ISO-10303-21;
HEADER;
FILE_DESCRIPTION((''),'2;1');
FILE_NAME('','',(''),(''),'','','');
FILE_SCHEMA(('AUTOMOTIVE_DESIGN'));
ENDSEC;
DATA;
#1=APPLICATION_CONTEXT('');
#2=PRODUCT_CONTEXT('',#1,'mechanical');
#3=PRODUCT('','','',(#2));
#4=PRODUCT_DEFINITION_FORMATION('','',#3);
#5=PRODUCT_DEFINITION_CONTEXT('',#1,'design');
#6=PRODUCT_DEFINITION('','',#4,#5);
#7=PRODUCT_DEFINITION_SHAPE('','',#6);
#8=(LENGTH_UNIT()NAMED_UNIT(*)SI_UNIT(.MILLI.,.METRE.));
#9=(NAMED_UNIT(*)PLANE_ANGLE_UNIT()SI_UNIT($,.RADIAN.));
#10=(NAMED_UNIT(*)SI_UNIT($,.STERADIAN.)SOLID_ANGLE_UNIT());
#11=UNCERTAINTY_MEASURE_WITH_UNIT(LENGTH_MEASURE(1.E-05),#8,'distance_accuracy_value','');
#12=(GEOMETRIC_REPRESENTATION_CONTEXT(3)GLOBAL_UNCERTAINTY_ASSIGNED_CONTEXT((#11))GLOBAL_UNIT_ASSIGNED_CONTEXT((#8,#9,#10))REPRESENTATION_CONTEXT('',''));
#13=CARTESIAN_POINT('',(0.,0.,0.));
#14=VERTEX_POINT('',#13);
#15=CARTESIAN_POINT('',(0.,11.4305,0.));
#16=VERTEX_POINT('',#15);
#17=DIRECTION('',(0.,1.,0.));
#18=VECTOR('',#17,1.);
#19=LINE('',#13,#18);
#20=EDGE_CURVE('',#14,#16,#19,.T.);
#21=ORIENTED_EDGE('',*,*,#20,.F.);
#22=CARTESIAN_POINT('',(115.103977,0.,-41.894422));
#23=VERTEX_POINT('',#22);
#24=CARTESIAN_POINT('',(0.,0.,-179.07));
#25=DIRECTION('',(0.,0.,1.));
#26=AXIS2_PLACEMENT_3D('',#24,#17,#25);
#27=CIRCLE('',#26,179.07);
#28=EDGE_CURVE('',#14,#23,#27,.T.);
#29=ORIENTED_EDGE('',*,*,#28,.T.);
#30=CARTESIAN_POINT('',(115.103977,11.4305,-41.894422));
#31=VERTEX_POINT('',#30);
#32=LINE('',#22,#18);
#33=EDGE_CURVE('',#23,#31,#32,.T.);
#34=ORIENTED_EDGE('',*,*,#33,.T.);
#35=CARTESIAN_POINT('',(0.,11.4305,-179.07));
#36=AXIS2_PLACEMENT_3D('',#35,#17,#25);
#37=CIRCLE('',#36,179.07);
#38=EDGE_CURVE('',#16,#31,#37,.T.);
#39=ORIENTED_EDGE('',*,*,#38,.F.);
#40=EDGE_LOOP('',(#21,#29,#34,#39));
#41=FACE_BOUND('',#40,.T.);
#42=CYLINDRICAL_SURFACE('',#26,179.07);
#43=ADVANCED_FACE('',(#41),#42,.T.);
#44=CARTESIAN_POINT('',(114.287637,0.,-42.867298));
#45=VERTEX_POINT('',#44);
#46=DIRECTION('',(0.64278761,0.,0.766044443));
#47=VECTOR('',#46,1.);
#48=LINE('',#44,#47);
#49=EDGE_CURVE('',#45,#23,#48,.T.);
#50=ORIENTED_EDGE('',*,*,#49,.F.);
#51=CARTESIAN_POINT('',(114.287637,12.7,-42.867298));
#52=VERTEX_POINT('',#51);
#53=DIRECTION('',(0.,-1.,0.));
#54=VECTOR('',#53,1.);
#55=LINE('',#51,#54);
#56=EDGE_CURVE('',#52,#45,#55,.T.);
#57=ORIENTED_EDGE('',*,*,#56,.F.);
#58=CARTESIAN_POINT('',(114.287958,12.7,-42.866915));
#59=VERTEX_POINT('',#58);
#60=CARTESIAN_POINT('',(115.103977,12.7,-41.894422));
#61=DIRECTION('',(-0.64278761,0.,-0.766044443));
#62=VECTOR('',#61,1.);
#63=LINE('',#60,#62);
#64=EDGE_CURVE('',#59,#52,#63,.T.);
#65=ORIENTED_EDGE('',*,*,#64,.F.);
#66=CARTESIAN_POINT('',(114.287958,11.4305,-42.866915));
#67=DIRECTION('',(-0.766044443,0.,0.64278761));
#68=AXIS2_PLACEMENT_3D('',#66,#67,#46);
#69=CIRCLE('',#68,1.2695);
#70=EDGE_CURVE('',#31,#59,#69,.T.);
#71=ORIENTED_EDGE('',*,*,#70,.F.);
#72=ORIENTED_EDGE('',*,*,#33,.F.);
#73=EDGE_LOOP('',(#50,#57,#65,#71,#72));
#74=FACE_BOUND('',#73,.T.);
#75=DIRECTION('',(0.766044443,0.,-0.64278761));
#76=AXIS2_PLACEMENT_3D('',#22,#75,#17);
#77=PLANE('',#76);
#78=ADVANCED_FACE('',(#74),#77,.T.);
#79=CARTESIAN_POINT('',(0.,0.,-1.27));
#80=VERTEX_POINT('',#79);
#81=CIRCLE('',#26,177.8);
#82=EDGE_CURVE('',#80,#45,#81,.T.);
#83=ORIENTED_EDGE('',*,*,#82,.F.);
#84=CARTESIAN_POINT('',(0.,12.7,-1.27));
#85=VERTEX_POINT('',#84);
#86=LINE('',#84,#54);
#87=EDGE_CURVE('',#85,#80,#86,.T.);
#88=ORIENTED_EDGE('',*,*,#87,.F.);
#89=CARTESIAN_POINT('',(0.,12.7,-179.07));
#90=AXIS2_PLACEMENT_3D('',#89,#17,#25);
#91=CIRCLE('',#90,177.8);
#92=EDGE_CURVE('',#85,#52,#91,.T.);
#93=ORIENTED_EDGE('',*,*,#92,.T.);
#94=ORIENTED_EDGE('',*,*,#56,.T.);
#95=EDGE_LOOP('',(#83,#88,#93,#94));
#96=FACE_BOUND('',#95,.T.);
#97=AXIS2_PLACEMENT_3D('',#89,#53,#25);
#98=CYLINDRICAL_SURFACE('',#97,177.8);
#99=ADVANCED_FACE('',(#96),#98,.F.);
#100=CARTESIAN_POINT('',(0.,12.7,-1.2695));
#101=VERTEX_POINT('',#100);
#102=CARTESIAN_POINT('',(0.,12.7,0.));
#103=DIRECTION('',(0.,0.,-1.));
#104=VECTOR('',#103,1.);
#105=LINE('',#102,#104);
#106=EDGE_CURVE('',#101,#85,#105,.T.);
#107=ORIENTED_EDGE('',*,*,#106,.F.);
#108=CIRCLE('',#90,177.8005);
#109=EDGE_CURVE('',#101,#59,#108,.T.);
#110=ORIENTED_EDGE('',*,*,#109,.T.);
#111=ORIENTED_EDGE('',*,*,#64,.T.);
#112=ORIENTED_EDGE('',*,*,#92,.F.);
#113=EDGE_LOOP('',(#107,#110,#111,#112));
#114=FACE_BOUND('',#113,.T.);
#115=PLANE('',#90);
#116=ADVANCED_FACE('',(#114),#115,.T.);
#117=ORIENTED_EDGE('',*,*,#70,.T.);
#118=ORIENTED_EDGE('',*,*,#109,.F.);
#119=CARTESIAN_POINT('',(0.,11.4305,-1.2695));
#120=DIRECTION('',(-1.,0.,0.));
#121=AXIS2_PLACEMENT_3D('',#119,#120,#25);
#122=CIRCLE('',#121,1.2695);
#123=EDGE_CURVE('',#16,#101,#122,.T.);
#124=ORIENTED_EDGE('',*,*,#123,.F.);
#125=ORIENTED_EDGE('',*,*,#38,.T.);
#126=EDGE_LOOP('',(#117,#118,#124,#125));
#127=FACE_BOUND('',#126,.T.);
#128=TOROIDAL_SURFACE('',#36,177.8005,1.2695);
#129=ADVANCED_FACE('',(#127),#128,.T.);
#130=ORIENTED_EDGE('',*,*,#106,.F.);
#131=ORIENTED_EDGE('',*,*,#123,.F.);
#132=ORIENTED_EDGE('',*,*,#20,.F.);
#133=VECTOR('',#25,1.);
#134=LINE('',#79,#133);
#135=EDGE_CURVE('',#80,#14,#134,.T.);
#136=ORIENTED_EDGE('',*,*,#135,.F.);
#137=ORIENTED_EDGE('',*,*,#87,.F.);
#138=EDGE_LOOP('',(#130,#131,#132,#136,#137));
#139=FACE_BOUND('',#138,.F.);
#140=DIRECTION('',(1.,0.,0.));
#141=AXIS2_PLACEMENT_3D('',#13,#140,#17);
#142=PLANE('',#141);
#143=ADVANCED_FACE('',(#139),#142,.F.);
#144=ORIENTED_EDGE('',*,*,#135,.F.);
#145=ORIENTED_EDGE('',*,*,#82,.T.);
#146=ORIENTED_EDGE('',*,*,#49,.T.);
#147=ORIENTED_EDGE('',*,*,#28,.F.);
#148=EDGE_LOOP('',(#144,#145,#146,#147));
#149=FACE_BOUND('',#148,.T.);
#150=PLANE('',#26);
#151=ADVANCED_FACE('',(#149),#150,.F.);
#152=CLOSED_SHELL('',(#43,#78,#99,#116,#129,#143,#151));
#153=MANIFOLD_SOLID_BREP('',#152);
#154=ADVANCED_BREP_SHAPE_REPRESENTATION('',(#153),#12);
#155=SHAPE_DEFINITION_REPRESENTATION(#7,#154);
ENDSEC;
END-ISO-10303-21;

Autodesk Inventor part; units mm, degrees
ref_plane "YZ Plane" through (0, 0, 0) normal (1, 0, 0) x (0, 1, 0)
ref_plane "XZ Plane" through (0, 0, 0) normal (0, 1, 0) x (-1, 0, 0)
ref_plane "XY Plane" through (0, 0, 0) normal (0, 0, 1) x (1, 0, 0)
sketch "Sketch1" plane through (0, 0, 0) normal (1, 0, 0) x (0, 1, 0)
  line L0 (0, 0) -> (12.7, 0)
  line L1 (12.7, 0) -> (12.7, -1.27)
  line L2 (12.7, -1.27) -> (0, -1.27)
  line L3 (0, -1.27) -> (0, 0)
  line L4 (0, -1.27) -> (0, -179.07)
  line L5 (0, -179.07) -> (48.3251, -179.07)
  dimension "d0" = 12.7
  dimension "d1" = 1.27
  dimension "d3" = 177.8
sketch "Sketch2" plane through (0, 0, 0) normal (0, 1, 0) x (-1, 0, 0)
  point P0 (0, 0)
revolve "Revolution1" add sketch "Sketch1" angle 40 about axis through (0, 0, -179.07) along (0, 1, 0)
sketch "Sketch4" plane through (0, 12.7, -179.07) normal (0, 1, 0) x (0.9397, 0, -0.342)
  line L0 (-60.8112, -167.0773) -> (-61.2455, -168.2708) projected
  line L1 (60.8112, -167.0773) -> (61.2455, -168.2708) projected
  dimension "d5" = 40
fillet "Fillet1" radius 1.27 1 edges at (61.2455, 12.7, -10.7992)
properties part number "side band" material "Rubber"
